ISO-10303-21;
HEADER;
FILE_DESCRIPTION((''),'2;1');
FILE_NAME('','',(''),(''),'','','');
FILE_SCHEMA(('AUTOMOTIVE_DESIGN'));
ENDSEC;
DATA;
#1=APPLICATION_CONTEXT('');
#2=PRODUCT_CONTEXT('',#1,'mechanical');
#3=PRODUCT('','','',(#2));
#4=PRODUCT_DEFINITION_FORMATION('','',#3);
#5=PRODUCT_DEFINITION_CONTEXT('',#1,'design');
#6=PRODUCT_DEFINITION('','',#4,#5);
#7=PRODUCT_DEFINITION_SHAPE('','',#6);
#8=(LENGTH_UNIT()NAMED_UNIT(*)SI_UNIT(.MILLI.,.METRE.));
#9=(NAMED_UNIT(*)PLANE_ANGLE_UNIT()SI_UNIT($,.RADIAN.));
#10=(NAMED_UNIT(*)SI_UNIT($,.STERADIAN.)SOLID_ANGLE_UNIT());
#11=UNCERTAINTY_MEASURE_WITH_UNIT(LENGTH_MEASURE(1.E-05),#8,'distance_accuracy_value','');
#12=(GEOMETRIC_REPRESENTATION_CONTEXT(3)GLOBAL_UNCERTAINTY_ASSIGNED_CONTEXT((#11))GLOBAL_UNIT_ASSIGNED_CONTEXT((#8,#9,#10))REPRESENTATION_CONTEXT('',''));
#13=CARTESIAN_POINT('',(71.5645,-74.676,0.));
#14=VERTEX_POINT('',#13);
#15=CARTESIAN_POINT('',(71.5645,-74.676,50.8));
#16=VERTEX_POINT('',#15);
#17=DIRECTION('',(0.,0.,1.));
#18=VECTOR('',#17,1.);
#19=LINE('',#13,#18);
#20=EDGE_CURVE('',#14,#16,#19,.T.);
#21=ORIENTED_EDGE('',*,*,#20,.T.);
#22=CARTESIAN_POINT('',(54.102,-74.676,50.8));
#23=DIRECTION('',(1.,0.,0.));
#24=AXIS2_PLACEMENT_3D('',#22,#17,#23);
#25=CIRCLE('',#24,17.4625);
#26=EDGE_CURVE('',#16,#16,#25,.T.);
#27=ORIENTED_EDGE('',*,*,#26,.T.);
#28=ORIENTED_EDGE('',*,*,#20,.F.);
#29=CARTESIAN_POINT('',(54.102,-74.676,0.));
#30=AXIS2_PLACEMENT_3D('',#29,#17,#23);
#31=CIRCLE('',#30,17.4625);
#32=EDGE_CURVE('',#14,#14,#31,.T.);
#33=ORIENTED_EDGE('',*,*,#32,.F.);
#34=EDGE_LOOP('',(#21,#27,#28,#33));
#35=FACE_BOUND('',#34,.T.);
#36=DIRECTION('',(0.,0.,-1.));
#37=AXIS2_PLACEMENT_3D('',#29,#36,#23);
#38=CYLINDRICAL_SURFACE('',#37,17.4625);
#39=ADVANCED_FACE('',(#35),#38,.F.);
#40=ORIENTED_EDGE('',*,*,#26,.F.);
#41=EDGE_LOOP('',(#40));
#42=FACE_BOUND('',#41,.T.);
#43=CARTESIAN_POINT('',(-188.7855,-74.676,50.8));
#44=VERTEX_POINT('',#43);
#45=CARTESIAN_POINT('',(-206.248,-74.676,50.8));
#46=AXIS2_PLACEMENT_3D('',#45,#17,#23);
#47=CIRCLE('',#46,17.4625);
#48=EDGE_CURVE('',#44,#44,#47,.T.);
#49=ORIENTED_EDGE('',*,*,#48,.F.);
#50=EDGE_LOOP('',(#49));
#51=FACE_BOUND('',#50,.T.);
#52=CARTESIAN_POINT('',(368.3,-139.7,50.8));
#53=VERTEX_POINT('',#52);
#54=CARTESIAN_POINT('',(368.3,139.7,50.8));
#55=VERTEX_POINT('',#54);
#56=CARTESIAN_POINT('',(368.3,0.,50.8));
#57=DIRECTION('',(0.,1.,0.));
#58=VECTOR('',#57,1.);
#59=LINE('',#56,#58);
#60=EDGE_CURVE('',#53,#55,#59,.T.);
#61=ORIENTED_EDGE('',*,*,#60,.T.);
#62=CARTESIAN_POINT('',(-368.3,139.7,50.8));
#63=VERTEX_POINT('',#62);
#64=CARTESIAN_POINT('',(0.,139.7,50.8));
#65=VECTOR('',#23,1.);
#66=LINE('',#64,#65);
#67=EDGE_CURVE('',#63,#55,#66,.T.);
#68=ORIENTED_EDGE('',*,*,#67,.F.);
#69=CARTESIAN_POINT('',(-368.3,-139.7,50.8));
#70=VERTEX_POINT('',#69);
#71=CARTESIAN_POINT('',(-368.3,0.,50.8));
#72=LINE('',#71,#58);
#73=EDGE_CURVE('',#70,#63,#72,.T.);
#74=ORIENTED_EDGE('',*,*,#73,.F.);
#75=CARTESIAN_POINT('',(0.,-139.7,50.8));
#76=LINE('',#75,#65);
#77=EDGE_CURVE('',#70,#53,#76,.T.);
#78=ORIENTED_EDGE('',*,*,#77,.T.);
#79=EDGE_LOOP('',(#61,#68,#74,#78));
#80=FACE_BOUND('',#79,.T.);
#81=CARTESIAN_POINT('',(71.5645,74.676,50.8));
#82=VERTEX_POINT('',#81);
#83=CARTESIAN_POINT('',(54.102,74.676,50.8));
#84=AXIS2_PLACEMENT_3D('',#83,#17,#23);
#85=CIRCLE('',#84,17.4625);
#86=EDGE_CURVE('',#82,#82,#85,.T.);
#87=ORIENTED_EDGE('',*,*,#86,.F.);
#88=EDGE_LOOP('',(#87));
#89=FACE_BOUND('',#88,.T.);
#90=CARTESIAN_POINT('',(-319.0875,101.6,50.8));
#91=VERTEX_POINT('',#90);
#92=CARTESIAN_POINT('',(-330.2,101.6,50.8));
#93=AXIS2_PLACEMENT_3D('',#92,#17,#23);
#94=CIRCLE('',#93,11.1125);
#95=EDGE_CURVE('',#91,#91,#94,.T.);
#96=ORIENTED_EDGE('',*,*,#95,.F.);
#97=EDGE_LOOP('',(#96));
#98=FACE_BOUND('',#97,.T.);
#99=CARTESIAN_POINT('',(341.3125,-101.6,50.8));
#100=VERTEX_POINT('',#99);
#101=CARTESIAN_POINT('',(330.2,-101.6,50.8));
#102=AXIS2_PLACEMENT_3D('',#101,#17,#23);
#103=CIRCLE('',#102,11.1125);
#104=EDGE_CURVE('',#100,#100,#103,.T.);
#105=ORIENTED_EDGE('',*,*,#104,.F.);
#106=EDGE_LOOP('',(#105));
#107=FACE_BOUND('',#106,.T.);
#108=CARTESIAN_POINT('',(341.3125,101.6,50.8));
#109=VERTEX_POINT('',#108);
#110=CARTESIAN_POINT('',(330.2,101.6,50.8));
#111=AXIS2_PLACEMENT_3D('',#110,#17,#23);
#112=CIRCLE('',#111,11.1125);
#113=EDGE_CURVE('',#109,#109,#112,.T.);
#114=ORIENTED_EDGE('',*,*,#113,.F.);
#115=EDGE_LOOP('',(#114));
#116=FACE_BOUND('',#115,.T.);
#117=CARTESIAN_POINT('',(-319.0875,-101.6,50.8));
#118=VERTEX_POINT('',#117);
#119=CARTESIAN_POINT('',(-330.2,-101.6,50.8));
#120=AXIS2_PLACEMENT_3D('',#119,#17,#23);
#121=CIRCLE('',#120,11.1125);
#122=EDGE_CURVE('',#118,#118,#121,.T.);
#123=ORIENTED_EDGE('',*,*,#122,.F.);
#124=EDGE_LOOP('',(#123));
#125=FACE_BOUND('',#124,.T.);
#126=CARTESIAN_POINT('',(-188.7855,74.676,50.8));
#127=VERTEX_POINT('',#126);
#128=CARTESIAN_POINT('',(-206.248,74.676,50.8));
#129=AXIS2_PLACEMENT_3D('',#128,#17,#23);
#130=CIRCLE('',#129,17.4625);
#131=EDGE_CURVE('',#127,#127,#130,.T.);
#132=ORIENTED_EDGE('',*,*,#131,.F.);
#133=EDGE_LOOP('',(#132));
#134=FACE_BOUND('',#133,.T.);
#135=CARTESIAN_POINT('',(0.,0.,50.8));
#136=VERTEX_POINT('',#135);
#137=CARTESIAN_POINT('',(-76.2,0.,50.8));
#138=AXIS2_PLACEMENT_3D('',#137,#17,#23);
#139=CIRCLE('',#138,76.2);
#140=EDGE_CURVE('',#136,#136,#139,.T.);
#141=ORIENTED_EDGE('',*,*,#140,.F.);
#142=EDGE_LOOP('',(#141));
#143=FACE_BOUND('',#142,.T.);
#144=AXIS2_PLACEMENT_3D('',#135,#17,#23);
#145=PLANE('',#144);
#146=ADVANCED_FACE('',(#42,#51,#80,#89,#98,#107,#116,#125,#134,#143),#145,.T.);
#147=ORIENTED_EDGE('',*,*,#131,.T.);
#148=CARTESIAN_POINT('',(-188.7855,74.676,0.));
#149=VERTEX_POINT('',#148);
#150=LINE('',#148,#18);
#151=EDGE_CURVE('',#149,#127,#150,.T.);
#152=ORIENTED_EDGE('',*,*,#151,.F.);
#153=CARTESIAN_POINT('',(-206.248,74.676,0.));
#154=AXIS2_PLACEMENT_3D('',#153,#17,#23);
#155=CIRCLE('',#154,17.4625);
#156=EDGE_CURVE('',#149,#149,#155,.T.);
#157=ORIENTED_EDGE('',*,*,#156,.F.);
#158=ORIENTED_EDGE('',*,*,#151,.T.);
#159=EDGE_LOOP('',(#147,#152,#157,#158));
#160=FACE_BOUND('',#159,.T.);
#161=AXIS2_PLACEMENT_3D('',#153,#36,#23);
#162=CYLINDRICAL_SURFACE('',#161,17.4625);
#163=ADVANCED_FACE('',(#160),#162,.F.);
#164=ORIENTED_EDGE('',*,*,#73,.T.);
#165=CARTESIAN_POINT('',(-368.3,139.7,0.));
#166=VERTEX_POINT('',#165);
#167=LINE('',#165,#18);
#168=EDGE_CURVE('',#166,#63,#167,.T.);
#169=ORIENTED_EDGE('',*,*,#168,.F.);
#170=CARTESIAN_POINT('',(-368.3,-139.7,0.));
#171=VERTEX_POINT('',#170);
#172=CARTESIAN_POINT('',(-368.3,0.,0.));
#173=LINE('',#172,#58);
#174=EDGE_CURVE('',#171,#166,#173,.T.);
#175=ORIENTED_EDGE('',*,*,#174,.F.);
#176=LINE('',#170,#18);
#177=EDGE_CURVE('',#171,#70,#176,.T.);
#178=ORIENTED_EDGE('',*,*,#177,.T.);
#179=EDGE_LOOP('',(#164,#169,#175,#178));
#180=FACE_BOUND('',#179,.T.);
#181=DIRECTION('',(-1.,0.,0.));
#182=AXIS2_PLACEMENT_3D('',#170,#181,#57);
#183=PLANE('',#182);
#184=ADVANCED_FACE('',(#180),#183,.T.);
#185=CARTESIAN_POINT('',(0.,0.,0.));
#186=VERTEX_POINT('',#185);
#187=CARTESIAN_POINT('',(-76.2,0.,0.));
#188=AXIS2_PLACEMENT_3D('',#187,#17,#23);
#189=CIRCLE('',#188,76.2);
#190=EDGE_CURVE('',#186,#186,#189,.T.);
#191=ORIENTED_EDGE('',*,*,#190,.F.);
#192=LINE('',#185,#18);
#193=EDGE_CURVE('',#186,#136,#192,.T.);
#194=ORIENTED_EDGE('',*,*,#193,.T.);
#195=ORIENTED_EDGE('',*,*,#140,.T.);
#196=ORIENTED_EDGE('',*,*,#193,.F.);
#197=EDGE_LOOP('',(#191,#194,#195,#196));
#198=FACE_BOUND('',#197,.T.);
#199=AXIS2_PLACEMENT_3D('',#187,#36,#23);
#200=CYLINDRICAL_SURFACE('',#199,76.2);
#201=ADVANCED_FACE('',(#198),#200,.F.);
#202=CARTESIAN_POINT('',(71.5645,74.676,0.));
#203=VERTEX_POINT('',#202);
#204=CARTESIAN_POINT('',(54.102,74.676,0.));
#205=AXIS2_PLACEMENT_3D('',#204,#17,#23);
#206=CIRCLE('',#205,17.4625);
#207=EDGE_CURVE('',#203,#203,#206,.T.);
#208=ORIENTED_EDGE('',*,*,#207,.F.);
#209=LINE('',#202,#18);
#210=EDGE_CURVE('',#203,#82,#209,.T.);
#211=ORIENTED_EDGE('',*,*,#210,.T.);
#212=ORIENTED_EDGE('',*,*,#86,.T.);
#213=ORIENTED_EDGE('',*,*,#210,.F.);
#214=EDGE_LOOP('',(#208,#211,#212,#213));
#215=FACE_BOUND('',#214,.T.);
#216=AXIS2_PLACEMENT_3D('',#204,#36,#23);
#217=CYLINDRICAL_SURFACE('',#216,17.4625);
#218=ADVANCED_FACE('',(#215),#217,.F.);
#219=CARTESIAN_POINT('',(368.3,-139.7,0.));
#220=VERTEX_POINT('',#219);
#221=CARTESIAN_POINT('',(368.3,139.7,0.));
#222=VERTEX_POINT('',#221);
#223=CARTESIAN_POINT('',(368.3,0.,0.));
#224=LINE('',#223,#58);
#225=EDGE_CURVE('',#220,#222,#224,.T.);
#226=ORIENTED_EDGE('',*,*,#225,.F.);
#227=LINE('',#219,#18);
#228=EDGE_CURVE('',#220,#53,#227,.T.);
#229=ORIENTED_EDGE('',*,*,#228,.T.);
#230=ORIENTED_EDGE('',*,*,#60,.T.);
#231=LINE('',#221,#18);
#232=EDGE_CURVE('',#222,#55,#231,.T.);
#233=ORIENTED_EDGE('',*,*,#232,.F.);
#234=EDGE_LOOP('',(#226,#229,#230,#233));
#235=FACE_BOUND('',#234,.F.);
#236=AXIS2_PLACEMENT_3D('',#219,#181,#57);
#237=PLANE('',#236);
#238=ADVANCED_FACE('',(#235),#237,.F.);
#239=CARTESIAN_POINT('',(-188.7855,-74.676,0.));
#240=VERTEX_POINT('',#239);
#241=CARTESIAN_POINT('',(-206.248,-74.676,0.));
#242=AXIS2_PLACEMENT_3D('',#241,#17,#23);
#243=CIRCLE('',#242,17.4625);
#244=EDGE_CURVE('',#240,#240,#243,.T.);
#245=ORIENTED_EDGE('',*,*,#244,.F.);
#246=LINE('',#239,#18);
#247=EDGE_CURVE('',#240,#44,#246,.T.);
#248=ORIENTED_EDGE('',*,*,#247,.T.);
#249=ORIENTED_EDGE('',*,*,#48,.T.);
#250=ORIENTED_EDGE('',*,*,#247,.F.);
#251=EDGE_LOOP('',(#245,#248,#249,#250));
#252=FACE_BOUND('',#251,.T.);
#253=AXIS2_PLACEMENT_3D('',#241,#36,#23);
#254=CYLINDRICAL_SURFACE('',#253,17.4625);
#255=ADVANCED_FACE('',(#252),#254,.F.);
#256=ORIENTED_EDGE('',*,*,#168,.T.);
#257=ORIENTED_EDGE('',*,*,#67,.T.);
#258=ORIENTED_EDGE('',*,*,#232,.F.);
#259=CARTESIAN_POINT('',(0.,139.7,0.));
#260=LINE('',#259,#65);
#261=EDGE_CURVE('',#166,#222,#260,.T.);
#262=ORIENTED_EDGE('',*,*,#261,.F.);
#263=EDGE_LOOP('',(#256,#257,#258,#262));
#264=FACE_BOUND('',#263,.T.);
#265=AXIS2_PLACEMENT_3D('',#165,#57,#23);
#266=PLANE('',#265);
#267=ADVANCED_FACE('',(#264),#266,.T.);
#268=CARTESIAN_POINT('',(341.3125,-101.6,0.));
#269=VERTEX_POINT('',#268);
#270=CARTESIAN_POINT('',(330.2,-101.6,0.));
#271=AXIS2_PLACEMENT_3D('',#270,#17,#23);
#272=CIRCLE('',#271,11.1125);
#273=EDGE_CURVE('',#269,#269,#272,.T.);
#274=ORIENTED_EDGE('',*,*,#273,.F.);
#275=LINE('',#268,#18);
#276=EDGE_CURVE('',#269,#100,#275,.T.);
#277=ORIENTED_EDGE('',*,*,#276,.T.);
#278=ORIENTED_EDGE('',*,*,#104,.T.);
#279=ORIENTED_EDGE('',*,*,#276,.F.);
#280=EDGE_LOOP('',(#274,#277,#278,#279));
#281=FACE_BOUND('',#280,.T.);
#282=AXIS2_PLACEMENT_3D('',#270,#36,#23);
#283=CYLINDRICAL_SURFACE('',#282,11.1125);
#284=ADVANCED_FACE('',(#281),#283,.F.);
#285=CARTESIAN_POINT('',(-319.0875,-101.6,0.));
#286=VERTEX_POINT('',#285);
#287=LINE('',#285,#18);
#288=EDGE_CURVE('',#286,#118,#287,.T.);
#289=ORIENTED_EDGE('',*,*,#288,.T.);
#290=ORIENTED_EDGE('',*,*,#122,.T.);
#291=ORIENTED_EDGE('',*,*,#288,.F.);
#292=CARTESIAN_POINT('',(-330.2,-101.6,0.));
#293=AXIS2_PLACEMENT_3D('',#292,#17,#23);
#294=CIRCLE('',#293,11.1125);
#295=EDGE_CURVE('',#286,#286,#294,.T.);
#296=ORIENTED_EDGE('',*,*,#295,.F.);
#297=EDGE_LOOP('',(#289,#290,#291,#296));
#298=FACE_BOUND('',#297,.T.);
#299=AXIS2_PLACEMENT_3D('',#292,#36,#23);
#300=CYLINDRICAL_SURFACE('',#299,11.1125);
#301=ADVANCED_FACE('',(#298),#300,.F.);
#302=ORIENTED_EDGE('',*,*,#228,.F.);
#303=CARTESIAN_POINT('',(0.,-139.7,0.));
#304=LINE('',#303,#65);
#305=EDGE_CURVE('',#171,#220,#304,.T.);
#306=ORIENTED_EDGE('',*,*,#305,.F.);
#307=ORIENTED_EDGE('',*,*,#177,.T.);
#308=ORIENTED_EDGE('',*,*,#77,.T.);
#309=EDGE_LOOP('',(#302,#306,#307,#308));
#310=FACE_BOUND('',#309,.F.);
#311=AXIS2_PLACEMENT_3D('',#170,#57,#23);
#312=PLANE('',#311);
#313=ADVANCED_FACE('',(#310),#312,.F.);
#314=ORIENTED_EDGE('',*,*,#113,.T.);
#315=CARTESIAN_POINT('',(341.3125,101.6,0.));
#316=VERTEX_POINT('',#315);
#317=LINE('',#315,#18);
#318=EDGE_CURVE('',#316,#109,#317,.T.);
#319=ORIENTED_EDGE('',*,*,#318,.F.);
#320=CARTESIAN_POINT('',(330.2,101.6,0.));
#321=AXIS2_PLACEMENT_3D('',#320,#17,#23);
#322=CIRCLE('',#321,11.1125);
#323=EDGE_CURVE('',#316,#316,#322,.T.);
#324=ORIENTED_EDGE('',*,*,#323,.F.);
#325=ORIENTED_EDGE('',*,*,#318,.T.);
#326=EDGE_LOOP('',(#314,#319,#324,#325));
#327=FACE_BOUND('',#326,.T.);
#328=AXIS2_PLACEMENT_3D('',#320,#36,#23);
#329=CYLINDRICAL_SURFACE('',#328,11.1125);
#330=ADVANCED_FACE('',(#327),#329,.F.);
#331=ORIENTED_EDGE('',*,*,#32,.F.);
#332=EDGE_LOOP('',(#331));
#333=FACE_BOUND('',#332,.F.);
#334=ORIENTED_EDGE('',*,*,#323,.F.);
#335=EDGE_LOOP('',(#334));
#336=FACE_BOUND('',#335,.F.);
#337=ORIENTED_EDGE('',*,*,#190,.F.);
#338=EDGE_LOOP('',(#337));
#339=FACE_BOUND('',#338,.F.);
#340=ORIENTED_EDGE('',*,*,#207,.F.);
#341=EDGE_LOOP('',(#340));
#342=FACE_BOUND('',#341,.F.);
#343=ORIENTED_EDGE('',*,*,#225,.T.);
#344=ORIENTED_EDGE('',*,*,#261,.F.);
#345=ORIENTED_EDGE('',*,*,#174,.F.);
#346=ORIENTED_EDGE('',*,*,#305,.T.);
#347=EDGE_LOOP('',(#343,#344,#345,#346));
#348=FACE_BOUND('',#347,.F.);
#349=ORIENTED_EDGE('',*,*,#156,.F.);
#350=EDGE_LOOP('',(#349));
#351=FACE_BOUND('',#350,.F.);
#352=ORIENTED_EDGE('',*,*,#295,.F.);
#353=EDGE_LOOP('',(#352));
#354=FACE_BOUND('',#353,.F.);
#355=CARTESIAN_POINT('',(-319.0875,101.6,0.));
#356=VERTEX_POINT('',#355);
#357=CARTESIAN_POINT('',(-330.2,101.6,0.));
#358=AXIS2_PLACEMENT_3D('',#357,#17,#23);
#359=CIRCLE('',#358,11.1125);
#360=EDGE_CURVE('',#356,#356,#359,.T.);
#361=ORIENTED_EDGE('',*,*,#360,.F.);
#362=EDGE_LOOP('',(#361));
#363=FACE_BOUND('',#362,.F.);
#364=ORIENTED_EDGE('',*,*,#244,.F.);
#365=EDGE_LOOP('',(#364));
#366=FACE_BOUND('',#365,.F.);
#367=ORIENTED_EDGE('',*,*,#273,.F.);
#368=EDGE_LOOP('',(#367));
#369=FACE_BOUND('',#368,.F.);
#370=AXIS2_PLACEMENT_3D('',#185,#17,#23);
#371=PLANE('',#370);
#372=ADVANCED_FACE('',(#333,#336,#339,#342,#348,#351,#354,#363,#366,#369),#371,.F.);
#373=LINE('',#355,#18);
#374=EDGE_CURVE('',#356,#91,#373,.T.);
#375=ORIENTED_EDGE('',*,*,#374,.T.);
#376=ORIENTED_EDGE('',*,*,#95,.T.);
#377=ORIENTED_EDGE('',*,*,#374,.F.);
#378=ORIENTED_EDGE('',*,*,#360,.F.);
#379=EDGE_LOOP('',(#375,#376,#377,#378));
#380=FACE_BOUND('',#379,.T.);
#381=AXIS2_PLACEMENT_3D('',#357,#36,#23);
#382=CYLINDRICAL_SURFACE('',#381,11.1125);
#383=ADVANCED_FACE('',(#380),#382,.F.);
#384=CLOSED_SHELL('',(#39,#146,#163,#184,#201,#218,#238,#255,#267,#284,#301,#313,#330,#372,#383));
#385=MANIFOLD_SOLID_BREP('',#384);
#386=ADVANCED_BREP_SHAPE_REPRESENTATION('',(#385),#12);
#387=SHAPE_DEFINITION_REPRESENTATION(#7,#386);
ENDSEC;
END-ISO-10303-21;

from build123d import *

# Parameters (mm, degrees)
F0_W     = 736.6
F0_H     = 279.4
F0_R     = 11.1125
F0_R_2   = 17.4625
F0_R_3   = 76.2
F1_DEPTH = 50.8


with BuildPart() as f1:
    # F0 (on Top) → F1 (new body)
    with BuildSketch(Plane.XY):
        Rectangle(F0_W, F0_H)
        with Locations((-330.2, -101.6)):
            Circle(F0_R, mode=Mode.SUBTRACT)
        with Locations((-206.248, -74.676)):
            Circle(F0_R_2, mode=Mode.SUBTRACT)
        with Locations((54.102, -74.676)):
            Circle(F0_R_2, mode=Mode.SUBTRACT)
        with Locations((330.2, -101.6)):
            Circle(F0_R, mode=Mode.SUBTRACT)
        with Locations((-76.2, 0)):
            Circle(F0_R_3, mode=Mode.SUBTRACT)
        with Locations((-330.2, 101.6)):
            Circle(F0_R, mode=Mode.SUBTRACT)
        with Locations((-206.248, 74.676)):
            Circle(F0_R_2, mode=Mode.SUBTRACT)
        with Locations((54.102, 74.676)):
            Circle(F0_R_2, mode=Mode.SUBTRACT)
        with Locations((330.2, 101.6)):
            Circle(F0_R, mode=Mode.SUBTRACT)
    extrude(amount=F1_DEPTH)


solid = f1.part
